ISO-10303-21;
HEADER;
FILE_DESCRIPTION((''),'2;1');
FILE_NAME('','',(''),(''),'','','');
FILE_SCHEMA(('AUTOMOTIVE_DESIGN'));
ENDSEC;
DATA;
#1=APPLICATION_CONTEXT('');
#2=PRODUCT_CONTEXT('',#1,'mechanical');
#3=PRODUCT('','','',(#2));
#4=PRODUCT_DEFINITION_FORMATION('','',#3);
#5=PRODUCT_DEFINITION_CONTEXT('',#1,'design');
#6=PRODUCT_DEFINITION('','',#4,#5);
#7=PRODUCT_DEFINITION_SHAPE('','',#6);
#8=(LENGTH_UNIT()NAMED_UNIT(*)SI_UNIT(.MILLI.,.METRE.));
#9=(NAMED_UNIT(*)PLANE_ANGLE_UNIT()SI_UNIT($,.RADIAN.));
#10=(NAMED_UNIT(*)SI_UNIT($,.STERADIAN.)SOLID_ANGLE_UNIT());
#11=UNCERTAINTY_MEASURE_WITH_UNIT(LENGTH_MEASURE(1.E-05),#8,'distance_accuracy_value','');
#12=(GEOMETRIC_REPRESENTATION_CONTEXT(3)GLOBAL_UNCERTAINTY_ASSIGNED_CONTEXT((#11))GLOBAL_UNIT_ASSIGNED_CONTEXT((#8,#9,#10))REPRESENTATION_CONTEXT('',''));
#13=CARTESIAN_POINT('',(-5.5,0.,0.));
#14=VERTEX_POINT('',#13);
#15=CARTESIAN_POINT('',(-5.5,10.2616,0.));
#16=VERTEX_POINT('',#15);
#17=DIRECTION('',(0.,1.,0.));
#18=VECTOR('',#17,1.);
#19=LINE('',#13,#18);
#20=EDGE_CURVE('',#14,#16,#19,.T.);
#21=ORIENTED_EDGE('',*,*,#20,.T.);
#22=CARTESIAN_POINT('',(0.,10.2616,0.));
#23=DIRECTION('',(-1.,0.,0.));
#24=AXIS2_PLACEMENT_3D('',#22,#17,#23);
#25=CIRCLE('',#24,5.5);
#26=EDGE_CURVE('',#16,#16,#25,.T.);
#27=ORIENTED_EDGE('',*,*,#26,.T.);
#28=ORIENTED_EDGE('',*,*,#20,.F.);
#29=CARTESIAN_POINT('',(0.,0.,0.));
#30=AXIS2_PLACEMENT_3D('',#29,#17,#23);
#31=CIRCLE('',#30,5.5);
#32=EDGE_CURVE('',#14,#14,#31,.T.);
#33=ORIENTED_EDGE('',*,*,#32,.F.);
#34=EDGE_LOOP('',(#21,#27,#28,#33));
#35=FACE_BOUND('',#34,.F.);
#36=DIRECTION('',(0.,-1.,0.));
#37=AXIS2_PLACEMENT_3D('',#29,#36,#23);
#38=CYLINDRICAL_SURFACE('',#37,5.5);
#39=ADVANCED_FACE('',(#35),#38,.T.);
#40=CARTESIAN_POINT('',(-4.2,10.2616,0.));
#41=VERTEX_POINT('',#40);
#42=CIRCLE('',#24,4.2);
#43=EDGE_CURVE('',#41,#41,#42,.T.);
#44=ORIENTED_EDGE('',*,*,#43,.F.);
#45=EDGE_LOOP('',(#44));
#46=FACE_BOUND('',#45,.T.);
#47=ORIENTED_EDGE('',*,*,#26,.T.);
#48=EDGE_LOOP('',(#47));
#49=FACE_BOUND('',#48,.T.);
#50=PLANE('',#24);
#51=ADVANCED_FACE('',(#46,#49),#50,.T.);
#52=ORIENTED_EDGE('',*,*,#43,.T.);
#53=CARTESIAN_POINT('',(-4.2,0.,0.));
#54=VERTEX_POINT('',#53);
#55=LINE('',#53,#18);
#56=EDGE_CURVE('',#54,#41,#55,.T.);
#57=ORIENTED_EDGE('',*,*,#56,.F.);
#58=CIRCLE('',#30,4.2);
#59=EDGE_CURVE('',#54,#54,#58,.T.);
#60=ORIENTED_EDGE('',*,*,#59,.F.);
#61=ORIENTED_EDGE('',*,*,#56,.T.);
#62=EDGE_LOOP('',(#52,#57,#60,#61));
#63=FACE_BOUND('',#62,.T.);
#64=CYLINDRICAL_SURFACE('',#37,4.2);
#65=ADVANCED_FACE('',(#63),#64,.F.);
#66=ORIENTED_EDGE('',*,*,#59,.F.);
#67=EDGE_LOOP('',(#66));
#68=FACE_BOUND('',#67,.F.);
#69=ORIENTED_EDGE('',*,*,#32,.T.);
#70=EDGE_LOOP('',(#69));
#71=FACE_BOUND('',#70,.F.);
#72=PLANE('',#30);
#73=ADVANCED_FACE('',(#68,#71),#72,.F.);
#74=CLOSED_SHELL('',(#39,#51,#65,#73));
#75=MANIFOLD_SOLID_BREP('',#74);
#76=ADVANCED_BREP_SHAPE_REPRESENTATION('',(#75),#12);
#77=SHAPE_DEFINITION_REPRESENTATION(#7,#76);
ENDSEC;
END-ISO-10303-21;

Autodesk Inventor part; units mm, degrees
ref_plane "YZ Plane" through (0, 0, 0) normal (1, 0, 0) x (0, 1, 0)
ref_plane "XZ Plane" through (0, 0, 0) normal (0, 1, 0) x (-1, 0, 0)
ref_plane "XY Plane" through (0, 0, 0) normal (0, 0, 1) x (1, 0, 0)
sketch "Sketch1" plane through (0, 0, 0) normal (0, 1, 0) x (-1, 0, 0)
  circle A0 centre (0, 0) radius 4.2
  circle A1 centre (0, 0) radius 5.5
  dimension "d1" = 8.4
  dimension "d2" = 11
extrude "Extrusion1" add sketch "Sketch1" along normal blind 10.2616
properties part number "spacer for channel inside"
